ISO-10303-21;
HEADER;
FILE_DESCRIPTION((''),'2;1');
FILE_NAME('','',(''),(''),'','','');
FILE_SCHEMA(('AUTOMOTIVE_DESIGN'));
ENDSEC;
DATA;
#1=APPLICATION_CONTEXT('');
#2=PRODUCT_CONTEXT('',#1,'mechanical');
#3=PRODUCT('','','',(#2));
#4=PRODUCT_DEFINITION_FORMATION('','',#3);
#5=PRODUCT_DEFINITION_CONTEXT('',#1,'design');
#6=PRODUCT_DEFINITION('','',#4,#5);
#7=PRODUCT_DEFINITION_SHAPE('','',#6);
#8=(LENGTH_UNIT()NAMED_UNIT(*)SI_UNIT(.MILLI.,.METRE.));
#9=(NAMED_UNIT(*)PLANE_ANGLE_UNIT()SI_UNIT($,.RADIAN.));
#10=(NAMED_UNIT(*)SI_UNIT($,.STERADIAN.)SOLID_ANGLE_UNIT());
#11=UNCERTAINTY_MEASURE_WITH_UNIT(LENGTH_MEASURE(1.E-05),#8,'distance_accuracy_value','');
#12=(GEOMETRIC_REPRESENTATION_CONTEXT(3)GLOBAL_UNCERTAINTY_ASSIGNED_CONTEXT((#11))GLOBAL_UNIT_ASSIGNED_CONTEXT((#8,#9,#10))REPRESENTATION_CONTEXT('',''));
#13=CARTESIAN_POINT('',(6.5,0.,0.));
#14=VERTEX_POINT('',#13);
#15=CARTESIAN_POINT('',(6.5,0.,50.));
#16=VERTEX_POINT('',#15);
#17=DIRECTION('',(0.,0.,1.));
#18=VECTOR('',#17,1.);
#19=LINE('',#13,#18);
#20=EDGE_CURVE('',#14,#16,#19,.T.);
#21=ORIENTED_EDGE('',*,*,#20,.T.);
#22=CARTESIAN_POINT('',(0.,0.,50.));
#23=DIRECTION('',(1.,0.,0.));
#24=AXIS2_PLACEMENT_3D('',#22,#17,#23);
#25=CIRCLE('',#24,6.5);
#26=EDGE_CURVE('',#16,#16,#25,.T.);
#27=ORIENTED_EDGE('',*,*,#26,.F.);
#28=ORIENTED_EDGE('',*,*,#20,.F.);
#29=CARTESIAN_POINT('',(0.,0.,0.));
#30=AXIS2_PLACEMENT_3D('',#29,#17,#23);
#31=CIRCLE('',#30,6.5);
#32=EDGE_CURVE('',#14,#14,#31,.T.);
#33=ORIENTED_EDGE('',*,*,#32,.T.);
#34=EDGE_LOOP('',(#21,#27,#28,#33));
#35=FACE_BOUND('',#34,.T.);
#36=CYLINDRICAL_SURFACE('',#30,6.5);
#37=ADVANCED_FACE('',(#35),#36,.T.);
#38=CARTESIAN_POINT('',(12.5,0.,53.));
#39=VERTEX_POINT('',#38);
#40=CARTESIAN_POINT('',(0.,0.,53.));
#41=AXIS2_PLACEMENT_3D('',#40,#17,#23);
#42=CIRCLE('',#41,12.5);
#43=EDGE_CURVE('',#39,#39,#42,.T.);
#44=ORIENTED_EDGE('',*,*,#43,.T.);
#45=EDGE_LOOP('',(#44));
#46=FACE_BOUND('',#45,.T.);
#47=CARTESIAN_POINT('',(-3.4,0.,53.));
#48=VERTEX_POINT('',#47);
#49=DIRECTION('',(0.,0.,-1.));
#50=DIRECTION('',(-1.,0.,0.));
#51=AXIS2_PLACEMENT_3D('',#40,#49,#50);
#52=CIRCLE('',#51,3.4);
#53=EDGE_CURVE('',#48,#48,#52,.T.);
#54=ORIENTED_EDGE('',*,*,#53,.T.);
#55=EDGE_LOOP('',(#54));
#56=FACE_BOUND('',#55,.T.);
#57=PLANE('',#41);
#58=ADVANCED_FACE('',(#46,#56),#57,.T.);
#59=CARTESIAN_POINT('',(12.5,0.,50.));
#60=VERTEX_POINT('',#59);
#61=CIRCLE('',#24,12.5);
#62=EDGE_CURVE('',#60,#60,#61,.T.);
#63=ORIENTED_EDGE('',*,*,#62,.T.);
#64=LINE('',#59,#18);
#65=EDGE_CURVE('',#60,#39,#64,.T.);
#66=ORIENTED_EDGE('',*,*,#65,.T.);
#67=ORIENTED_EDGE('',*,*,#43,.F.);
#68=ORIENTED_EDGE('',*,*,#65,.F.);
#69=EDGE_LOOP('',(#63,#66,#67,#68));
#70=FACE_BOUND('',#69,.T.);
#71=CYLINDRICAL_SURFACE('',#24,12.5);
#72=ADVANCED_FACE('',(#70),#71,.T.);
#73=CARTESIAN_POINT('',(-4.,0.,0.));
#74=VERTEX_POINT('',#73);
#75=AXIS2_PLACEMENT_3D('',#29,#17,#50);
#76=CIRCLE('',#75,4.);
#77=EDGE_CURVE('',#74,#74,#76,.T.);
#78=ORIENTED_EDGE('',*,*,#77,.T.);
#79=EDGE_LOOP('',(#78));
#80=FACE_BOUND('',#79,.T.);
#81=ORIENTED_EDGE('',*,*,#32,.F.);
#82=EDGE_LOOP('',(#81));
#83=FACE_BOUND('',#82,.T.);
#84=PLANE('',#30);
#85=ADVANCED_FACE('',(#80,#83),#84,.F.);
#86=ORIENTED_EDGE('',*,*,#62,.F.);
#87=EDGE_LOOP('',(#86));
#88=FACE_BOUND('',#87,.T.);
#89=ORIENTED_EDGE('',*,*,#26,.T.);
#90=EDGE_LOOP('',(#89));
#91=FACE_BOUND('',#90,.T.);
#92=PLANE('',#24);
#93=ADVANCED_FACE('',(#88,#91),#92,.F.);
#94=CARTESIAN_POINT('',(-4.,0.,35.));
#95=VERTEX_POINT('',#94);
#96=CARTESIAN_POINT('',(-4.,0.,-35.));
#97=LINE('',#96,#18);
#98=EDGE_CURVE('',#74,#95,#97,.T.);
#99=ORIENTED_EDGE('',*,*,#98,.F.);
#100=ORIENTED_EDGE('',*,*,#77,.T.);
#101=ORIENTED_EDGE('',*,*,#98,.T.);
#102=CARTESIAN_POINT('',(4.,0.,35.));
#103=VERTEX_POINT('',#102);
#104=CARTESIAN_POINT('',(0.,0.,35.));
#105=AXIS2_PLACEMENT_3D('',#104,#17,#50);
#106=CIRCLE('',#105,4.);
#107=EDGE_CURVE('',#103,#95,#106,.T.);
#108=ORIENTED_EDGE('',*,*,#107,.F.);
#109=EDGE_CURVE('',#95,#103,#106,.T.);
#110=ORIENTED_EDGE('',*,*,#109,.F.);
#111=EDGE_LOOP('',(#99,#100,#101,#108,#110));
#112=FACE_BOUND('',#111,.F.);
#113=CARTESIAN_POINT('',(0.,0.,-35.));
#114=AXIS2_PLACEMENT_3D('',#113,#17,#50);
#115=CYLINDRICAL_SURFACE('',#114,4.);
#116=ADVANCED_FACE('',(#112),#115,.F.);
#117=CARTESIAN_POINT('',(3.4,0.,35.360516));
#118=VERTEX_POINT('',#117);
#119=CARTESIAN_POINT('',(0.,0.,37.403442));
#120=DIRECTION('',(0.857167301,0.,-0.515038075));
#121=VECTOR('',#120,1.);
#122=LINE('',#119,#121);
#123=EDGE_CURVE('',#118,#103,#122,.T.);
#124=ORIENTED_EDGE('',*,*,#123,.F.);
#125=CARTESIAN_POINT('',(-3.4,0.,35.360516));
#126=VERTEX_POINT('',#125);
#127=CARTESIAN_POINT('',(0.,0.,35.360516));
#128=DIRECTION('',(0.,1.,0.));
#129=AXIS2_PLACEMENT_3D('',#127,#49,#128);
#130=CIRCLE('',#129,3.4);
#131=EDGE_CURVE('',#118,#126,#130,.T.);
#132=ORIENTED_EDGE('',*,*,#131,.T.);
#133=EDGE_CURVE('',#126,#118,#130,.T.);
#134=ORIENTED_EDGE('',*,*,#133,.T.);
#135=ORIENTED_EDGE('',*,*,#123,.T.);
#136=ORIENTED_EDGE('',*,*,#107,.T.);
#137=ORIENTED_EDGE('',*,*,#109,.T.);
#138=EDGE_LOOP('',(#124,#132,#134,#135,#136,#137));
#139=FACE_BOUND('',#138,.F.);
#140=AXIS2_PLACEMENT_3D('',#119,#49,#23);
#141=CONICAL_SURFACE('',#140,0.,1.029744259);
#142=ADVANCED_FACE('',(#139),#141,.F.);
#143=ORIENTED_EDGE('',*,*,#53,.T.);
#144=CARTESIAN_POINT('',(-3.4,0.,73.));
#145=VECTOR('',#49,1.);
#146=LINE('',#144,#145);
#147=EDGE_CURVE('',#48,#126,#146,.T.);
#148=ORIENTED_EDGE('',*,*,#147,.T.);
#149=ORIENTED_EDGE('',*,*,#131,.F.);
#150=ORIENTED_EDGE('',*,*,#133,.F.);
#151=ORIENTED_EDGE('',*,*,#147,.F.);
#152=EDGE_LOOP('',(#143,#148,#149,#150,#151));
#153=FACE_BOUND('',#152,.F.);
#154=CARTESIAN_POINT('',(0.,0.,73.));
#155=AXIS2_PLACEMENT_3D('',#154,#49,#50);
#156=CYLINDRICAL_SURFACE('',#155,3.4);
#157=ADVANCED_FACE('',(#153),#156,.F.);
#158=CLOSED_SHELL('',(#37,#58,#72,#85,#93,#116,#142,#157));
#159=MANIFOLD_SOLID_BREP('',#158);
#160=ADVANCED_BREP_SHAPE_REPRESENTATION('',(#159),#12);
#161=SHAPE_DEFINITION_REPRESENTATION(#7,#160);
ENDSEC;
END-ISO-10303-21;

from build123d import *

# Parameters (mm, degrees)
F3_D     = 6.8
F3_DEPTH = 20
F3_TIP   = 2.0429261047
F5_D     = 8
F5_DEPTH = 35
F5_TIP   = 2.4034424761


with BuildPart() as f1:
    # F0 (on Front) → F1 (revolve)
    with BuildSketch(Plane.XZ):
        Polygon((0, 53), (0, 0), (6.5, 0), (6.5, 50), (12.5, 50), (12.5, 53), align=None)
    revolve(axis=Axis((0, 0, 35.806838423), (0, 0, 1)))

    # F3
    with Locations(Plane.XY.offset(53)):
        with Locations((0, 0)):
            Hole(F3_D / 2, depth=F3_DEPTH)
            with Locations((0, 0, -(F3_DEPTH + F3_TIP / 2))):  # 118° drill point
                Cone(0, F3_D / 2, F3_TIP, mode=Mode.SUBTRACT)

    # F5
    with Locations(Plane(origin=(0, 0, 0), x_dir=(1, 0, 0), z_dir=(0, 0, -1))):
        with Locations((0, 0)):
            Hole(F5_D / 2, depth=F5_DEPTH)
            with Locations((0, 0, -(F5_DEPTH + F5_TIP / 2))):  # 118° drill point
                Cone(0, F5_D / 2, F5_TIP, mode=Mode.SUBTRACT)


solid = f1.part
